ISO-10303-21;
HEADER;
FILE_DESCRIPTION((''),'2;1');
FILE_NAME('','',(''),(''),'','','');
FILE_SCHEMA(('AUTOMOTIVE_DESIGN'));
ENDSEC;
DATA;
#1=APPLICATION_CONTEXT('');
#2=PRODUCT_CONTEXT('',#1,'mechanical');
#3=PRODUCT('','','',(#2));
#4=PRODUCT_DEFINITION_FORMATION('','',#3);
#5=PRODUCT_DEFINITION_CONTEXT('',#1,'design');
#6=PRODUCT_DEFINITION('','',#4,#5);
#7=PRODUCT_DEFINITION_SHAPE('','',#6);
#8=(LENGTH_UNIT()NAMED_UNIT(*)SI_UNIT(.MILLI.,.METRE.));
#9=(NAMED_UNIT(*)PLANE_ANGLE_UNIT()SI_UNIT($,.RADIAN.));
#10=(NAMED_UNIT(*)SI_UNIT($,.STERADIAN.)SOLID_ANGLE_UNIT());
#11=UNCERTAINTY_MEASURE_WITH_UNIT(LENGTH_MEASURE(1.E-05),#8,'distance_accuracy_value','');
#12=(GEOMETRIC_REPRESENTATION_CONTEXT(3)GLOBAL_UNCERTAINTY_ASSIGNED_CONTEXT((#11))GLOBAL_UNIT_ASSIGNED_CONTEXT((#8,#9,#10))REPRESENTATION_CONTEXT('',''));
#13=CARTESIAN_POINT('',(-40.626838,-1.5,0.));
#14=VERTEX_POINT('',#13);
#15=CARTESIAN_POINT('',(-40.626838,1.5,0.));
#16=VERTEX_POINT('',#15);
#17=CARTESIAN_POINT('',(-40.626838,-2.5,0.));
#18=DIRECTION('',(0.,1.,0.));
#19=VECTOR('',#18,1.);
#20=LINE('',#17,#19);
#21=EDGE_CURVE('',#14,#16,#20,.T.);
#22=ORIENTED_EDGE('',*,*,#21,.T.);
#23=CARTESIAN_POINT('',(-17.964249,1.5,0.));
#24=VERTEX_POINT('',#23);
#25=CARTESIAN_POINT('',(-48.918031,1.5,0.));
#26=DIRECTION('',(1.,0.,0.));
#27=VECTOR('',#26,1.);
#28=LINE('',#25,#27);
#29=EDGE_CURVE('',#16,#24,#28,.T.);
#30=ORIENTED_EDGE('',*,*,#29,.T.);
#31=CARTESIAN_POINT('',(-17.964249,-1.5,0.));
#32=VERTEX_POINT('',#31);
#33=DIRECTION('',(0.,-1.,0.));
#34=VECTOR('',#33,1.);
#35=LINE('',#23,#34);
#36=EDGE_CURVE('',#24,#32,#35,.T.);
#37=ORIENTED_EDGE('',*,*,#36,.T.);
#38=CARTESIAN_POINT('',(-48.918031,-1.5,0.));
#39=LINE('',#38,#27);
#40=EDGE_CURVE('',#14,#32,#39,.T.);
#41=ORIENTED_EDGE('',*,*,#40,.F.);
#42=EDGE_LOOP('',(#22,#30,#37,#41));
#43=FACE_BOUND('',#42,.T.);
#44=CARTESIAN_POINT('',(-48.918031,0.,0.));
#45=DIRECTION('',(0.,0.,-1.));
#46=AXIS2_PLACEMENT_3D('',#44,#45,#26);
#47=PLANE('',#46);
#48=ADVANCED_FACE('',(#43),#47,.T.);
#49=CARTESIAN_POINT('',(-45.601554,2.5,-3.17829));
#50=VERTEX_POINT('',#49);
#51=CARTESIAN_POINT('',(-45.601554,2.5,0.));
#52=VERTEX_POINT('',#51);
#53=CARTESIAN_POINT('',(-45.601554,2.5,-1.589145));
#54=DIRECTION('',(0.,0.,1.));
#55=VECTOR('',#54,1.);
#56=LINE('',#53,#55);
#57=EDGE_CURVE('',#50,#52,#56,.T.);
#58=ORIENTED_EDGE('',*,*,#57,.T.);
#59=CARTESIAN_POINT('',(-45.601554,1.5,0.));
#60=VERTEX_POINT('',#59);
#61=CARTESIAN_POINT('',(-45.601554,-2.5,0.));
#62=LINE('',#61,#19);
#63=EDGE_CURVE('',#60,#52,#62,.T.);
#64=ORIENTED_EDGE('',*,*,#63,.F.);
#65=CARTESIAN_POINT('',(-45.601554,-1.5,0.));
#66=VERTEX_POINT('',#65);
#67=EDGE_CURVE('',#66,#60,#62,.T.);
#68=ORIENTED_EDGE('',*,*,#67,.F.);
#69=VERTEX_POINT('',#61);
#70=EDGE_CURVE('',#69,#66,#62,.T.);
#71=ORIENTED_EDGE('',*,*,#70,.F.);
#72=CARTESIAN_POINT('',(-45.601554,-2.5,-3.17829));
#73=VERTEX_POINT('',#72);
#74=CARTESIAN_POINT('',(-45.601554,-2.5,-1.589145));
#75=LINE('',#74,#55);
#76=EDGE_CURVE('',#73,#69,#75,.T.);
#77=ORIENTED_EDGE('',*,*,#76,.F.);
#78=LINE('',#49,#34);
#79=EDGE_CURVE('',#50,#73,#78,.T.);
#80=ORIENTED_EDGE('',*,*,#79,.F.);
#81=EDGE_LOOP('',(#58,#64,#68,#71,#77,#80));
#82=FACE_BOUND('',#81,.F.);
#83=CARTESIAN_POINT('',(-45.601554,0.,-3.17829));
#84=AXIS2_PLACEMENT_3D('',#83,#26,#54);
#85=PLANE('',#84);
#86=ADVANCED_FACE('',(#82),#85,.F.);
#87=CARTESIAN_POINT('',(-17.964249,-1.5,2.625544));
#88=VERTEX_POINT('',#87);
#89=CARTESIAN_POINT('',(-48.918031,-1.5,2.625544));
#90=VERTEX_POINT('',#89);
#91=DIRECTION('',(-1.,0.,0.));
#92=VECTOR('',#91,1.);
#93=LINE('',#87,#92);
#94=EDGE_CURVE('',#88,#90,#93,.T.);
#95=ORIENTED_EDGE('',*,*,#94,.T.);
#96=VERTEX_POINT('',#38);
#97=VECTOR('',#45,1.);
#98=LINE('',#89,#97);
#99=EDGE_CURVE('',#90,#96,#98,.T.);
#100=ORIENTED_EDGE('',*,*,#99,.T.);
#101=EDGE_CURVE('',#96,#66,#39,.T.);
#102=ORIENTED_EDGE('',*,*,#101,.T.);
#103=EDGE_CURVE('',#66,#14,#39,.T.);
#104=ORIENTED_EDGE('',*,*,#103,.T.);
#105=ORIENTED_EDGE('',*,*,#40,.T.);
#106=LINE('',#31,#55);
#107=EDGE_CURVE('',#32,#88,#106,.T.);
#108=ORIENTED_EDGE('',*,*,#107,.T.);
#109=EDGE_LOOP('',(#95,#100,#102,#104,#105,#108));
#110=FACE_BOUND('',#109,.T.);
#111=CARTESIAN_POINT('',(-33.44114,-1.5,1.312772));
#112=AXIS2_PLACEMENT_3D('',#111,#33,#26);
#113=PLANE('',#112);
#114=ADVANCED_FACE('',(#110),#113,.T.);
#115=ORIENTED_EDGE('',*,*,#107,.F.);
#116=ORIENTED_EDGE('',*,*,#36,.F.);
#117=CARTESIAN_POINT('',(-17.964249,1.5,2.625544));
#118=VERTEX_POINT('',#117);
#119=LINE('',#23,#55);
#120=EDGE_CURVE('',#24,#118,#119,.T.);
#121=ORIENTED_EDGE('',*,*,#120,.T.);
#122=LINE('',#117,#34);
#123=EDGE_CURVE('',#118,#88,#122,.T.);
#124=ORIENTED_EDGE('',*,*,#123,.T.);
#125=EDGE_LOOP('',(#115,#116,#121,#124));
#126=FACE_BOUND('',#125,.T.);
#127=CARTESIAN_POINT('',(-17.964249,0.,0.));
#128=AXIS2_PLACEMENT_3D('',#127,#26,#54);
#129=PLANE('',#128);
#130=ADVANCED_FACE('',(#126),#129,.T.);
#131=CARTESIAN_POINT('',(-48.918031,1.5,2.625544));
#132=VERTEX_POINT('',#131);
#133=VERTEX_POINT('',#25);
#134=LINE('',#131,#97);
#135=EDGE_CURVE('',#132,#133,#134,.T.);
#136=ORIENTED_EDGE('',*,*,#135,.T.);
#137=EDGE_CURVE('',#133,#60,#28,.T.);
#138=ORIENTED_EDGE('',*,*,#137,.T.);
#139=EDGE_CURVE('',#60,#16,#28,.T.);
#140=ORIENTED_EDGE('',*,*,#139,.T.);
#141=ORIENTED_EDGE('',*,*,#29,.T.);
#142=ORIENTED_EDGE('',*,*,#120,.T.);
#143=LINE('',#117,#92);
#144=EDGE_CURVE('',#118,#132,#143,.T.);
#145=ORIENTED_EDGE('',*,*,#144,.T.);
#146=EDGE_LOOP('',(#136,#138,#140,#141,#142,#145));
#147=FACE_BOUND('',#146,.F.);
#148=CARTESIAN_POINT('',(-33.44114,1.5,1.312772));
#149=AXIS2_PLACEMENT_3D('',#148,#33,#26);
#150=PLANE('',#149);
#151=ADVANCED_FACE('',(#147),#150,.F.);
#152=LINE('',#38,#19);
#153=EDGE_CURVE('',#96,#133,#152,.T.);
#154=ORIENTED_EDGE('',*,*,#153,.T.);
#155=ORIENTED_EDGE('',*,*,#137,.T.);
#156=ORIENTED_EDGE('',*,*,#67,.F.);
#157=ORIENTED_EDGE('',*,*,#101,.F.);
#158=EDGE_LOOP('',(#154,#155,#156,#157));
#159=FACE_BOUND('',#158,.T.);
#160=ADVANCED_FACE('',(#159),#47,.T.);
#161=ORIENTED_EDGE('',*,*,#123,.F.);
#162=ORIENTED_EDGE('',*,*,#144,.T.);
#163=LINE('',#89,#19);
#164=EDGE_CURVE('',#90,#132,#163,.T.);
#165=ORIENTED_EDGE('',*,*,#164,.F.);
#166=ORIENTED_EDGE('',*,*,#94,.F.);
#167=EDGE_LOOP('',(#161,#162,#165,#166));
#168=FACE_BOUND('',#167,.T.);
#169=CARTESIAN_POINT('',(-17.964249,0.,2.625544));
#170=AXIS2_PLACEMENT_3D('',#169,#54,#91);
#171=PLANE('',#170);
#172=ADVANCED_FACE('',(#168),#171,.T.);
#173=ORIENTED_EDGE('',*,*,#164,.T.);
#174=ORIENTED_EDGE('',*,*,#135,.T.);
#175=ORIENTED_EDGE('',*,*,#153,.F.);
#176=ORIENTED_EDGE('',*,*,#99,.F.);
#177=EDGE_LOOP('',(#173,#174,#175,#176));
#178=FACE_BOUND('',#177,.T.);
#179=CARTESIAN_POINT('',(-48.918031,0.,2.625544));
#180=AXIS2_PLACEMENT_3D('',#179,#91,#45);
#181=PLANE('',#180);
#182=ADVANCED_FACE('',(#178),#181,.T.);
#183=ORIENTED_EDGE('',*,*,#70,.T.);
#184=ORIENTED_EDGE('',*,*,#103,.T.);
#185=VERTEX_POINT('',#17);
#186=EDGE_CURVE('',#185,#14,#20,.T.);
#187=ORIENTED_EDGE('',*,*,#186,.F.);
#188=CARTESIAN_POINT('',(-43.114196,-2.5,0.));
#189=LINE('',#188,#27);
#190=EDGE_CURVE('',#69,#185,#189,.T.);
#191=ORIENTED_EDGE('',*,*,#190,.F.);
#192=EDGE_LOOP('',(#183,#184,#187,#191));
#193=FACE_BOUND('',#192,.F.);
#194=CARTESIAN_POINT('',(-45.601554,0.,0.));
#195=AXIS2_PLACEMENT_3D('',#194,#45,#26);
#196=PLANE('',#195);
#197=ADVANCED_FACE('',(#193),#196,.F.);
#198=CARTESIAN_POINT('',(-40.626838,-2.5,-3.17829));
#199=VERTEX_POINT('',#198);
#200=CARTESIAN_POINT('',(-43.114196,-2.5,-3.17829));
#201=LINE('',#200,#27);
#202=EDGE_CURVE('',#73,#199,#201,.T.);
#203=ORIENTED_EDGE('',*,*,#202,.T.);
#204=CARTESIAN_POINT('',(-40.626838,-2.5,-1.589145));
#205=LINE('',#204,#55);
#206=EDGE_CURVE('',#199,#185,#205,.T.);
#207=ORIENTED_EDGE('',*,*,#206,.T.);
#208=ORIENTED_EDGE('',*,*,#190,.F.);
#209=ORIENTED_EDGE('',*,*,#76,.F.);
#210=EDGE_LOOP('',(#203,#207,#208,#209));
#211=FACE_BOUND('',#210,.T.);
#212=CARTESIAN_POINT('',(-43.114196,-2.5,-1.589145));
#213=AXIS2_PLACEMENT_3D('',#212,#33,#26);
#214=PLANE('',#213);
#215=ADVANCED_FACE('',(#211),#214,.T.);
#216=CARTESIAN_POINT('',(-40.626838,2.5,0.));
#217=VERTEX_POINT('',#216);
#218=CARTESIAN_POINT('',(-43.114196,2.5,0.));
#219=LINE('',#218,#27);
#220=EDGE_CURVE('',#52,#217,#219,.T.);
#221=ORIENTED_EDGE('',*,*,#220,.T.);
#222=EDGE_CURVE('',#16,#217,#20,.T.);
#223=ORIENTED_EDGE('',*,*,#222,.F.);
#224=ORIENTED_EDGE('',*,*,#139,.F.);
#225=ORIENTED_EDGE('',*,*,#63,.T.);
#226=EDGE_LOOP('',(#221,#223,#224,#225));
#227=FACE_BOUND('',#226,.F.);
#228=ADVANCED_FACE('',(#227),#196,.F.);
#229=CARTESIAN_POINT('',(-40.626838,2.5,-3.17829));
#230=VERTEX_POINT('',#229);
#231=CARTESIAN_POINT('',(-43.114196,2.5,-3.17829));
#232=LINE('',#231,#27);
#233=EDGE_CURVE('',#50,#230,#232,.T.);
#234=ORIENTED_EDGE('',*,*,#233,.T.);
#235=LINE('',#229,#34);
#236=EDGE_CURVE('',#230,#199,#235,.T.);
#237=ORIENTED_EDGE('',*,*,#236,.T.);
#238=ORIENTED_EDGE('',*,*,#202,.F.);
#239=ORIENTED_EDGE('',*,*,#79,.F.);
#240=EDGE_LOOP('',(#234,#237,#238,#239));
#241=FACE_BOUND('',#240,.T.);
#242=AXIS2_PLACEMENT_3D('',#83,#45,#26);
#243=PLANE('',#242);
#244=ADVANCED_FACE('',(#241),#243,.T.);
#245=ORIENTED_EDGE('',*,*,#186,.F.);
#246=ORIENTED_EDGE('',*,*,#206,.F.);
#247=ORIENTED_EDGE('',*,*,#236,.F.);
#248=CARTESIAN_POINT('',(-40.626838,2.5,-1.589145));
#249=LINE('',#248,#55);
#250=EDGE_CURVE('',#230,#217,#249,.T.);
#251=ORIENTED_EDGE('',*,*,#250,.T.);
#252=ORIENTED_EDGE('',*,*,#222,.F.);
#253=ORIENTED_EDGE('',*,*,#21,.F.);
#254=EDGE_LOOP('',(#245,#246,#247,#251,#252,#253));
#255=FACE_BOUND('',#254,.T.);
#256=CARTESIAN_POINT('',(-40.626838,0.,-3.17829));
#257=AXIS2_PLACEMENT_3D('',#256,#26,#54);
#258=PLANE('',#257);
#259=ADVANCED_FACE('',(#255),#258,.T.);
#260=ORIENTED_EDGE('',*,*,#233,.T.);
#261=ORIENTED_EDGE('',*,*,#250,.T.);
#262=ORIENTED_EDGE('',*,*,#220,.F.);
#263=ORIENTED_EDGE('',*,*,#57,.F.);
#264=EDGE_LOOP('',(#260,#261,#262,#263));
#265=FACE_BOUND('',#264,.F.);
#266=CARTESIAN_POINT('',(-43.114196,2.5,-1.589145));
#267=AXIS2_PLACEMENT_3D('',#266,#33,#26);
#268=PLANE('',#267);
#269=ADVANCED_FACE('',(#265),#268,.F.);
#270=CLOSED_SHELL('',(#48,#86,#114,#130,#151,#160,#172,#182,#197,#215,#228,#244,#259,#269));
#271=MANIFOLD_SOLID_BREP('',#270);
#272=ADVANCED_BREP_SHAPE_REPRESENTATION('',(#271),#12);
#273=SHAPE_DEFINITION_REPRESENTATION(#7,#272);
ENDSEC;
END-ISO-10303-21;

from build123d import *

# Parameters (mm, degrees)
F1_DEPTH = 1.5
F2_W     = 4.974715
F2_H     = 3.17829
F3_DEPTH = 2.5


with BuildPart() as f1:
    # F0 (on Front) → F1 (new body, symmetric)
    with BuildSketch(Plane.XZ):
        Polygon((-48.918031, 0), (-43.666944, 0), (-17.964249, 0), (-17.964249, 2.625544), (-48.918031, 2.625544), align=None)
    extrude(amount=F1_DEPTH, both=True)

    # F2 (on Front) → F3 (join, symmetric)
    with BuildSketch(Plane.XZ):
        with Locations((-43.114196, -1.589145)):
            Rectangle(F2_W, F2_H)
    extrude(amount=F3_DEPTH, both=True)


solid = f1.part
